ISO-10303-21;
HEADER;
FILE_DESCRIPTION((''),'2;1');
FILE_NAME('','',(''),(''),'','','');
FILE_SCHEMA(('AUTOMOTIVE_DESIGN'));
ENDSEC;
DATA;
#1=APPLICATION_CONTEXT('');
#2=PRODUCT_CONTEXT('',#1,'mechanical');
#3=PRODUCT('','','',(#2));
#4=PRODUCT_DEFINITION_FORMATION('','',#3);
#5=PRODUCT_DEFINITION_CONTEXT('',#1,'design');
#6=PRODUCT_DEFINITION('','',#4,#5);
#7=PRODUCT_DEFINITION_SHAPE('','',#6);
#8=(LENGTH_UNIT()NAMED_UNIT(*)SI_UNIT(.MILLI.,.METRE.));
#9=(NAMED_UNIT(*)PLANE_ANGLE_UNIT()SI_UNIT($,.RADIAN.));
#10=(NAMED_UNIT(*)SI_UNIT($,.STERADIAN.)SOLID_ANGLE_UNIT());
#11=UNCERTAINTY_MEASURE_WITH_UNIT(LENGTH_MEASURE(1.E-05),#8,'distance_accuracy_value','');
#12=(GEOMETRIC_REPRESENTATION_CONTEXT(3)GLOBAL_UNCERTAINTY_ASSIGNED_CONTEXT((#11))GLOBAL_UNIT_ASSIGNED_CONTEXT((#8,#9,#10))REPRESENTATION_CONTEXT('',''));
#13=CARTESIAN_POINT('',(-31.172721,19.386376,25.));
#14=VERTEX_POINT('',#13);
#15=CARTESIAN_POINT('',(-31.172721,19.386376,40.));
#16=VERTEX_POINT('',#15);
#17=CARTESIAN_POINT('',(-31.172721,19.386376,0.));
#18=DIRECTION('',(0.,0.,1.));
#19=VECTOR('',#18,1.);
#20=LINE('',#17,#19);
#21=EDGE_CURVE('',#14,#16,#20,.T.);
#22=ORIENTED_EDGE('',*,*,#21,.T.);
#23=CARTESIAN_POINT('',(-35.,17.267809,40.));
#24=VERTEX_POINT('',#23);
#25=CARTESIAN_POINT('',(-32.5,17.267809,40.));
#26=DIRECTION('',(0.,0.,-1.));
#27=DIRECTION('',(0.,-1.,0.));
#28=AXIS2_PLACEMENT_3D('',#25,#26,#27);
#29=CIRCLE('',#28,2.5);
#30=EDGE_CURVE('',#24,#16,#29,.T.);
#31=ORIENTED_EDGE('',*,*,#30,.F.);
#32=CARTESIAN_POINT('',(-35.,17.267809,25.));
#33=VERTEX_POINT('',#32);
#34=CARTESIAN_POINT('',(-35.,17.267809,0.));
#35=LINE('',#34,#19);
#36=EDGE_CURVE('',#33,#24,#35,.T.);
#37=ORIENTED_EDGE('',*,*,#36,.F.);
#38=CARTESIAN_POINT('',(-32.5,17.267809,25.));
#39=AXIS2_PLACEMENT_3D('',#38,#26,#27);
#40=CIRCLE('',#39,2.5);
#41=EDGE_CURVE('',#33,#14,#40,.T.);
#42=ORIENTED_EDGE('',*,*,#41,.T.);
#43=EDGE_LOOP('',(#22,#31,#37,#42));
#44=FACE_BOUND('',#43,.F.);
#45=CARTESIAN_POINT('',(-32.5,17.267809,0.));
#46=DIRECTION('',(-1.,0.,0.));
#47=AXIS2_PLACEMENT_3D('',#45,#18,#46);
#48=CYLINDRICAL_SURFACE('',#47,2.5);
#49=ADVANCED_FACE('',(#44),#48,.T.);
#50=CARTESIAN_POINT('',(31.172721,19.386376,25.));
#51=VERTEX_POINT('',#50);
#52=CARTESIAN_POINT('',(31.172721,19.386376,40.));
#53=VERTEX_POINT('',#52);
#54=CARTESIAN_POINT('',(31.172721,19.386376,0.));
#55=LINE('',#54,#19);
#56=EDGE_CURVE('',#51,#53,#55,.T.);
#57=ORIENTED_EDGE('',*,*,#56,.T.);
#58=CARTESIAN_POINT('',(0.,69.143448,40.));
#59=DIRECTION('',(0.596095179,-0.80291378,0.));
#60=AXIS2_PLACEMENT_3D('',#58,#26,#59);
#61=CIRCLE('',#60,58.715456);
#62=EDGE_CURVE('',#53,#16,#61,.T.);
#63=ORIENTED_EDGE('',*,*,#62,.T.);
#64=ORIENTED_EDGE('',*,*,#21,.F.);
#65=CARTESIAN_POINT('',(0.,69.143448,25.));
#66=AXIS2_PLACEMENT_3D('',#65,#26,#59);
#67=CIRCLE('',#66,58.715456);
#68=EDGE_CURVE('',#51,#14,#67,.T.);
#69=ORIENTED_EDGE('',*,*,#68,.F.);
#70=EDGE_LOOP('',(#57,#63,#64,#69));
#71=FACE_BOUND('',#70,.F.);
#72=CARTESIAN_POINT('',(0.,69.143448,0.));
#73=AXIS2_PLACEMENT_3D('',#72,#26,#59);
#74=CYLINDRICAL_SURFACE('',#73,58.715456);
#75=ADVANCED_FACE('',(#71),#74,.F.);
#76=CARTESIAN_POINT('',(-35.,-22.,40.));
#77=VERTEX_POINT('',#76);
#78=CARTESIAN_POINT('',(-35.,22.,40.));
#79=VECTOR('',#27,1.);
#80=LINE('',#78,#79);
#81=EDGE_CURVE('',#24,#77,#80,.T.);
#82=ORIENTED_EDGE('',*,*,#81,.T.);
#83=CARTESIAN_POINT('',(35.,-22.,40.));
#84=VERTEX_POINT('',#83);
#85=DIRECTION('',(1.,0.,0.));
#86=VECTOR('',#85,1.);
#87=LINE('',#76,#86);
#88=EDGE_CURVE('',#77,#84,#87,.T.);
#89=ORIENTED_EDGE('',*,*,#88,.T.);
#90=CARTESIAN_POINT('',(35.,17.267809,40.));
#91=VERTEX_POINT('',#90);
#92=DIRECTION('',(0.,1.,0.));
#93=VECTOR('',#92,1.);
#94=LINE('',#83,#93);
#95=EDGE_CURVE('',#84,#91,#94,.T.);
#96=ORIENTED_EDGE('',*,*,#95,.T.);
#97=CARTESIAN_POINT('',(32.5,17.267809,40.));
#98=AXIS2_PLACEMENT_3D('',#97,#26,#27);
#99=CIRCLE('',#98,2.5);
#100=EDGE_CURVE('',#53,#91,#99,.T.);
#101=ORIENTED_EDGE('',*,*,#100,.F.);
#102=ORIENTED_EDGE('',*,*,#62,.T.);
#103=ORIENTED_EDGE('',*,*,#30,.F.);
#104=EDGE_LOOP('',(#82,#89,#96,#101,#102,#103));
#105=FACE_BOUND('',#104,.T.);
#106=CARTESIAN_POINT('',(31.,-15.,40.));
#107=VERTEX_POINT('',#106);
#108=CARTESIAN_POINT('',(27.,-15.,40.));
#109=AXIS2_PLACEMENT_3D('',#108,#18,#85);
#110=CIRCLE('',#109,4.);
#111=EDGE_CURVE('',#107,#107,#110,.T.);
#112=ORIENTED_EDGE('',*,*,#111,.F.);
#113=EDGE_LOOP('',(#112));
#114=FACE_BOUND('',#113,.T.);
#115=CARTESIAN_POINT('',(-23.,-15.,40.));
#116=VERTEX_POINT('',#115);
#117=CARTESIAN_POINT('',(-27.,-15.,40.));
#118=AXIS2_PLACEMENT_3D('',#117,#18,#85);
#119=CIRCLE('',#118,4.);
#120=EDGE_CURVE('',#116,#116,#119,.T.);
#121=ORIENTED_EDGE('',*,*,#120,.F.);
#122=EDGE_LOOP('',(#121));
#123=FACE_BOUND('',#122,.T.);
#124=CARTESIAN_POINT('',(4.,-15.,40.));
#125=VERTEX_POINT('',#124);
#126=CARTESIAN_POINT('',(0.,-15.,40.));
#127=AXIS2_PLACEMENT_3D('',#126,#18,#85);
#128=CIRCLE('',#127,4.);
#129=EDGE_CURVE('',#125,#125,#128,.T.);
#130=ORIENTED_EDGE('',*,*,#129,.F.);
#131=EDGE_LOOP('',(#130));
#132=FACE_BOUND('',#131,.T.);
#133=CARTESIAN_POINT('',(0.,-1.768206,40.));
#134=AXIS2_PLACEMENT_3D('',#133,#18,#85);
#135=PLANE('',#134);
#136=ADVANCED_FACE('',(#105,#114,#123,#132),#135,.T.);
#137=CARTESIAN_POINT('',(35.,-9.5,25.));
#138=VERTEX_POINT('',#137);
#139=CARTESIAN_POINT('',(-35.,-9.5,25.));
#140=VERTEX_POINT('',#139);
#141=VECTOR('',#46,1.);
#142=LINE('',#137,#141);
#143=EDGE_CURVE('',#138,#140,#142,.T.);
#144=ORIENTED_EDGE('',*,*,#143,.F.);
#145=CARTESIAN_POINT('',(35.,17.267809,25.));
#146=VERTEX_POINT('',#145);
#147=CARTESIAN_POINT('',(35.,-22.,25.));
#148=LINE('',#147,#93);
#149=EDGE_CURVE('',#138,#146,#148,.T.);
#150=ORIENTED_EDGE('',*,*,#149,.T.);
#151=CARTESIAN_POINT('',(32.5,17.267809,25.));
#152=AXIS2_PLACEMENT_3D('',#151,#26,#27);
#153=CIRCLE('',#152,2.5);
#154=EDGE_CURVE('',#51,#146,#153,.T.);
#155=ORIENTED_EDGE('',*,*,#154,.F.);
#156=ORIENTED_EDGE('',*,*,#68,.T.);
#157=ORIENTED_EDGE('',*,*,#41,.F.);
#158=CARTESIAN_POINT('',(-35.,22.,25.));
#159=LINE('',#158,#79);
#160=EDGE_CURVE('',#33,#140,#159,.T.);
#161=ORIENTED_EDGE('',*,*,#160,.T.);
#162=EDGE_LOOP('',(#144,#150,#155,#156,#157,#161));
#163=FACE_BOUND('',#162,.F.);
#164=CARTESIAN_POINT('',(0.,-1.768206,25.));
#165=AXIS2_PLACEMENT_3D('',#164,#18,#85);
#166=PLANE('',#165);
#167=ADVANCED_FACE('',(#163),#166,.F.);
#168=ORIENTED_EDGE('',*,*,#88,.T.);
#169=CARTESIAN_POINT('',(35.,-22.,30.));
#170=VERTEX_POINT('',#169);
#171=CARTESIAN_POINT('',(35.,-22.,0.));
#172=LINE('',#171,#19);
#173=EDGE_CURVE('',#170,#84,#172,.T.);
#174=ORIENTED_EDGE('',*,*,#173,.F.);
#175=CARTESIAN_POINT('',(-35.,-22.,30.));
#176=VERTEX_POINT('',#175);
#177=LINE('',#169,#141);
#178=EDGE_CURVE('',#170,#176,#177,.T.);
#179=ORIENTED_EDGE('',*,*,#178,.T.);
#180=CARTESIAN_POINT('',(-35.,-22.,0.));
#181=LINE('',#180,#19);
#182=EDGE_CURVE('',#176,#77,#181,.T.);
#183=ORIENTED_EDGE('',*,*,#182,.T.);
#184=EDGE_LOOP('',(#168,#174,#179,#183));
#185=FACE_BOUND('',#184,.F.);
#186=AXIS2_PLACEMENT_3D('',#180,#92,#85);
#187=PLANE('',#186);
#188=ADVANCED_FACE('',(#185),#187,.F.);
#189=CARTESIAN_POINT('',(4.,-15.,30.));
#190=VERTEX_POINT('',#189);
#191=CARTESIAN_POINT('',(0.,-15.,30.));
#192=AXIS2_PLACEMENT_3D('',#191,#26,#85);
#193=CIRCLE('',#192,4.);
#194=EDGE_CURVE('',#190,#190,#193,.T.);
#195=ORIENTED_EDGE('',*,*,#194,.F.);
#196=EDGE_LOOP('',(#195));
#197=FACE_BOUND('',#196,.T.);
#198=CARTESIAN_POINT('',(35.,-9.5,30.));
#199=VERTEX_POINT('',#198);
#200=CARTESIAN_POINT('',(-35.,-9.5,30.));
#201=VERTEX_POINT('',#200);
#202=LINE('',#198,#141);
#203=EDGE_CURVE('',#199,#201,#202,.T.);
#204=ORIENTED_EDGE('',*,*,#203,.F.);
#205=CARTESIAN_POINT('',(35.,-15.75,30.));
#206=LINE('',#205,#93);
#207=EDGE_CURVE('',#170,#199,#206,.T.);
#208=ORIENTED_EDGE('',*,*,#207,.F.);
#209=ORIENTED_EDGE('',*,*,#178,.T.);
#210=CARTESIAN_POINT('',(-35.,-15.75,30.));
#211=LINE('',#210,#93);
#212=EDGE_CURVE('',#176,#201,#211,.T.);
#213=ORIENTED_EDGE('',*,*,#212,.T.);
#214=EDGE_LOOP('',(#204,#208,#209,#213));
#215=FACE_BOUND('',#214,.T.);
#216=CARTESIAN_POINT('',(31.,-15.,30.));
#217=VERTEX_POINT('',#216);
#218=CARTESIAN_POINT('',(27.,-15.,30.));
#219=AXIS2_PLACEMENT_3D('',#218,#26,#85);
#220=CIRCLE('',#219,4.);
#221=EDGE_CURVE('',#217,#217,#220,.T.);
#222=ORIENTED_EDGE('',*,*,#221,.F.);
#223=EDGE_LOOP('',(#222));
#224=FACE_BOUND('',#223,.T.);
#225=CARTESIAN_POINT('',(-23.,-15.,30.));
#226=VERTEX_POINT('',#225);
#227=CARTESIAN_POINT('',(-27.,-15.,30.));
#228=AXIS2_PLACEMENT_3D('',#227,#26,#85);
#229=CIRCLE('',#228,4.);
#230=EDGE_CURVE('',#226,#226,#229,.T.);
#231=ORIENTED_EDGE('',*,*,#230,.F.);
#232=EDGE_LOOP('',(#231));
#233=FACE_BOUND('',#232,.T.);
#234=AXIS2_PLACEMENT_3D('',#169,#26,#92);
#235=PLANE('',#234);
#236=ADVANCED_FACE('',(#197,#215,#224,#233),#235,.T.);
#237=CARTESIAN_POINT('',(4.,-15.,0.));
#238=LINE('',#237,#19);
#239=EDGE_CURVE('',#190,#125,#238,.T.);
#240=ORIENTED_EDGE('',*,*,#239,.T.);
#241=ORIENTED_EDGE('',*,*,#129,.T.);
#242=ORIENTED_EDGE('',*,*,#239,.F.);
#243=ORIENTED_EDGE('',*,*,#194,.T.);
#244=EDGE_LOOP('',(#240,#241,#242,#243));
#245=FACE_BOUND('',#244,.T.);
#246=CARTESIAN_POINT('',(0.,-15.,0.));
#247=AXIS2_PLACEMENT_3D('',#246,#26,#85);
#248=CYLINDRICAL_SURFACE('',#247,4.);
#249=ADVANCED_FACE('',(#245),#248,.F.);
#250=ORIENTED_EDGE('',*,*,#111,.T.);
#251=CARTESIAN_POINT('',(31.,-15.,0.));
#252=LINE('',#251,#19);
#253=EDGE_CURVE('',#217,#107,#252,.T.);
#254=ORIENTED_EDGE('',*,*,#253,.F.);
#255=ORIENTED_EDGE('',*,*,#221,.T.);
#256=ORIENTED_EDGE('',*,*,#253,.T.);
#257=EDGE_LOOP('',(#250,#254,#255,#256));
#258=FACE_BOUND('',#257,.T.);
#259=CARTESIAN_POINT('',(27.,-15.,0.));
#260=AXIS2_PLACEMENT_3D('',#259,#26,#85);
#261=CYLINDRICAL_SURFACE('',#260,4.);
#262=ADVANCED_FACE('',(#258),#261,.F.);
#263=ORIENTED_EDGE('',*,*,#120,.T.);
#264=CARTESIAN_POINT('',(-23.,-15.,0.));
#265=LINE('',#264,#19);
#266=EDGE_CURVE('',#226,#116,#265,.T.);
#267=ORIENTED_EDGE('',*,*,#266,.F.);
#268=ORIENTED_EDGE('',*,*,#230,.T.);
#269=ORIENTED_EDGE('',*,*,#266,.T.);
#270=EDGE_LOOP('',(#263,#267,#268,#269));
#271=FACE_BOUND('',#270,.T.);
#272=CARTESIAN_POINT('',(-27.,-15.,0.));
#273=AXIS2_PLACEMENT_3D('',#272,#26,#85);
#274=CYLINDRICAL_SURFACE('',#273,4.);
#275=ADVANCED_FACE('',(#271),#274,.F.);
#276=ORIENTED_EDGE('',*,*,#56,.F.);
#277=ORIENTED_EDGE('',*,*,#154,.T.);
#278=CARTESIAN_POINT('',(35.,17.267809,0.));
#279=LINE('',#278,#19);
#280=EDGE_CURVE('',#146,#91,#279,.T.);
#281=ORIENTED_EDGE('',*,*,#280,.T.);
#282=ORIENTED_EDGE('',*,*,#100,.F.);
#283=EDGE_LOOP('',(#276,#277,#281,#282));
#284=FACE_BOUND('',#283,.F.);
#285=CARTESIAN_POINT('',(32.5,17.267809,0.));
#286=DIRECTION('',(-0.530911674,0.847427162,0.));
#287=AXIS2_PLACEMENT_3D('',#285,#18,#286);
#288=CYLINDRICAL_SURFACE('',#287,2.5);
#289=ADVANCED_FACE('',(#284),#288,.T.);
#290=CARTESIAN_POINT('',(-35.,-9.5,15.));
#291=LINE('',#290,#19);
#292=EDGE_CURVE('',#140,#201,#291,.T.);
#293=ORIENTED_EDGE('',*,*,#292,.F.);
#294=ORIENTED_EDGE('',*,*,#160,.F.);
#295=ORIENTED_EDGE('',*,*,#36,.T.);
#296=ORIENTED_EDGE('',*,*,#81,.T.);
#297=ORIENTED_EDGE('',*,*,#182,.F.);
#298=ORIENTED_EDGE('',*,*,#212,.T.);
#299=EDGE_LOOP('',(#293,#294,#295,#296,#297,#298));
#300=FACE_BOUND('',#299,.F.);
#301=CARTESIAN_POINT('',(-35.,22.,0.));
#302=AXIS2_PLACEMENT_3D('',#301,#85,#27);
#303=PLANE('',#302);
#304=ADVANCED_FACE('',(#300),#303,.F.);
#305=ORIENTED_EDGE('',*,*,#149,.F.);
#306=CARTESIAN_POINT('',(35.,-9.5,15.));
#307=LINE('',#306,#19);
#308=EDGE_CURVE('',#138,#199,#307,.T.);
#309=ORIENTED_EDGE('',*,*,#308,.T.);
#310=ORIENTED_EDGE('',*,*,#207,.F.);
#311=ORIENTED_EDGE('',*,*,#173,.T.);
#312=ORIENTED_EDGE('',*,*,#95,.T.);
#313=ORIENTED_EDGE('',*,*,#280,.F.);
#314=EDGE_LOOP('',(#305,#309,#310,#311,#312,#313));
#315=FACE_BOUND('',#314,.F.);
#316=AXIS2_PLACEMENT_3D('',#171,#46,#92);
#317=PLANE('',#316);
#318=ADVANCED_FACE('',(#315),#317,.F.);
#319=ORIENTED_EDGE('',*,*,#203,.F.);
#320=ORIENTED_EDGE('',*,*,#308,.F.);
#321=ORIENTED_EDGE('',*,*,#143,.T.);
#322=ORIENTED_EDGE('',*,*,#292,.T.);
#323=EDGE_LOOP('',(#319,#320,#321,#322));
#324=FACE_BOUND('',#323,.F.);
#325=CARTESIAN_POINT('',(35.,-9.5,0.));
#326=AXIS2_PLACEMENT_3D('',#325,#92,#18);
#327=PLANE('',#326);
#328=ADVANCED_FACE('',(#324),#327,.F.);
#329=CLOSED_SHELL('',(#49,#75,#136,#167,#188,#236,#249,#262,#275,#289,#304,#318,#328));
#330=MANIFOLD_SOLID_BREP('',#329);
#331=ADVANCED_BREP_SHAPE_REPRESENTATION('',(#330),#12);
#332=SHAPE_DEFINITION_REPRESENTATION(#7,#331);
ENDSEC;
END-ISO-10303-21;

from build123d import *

# Parameters (mm, degrees)
F0_R     = 4
F1_DEPTH = 40
F2_W     = 12.5
F2_H     = 30
F3_DEPTH = 70
F4_R     = 2.5
F5_DEPTH = 25


with BuildPart() as f1:
    # F0 (on Top) → F1 (new body)
    with BuildSketch(Plane.XY):
        with BuildLine():
            Line((-35, 22), (-35, -22))
            Line((-35, -22), (35, -22))
            Line((35, -22), (35, 22))
            ThreePointArc((35, 22), (0, 10.4279927909), (-35, 22))
        make_face()
        with Locations((-27, -15)):
            Circle(F0_R, mode=Mode.SUBTRACT)
        with Locations((0, -15)):
            Circle(F0_R, mode=Mode.SUBTRACT)
        with Locations((27, -15)):
            Circle(F0_R, mode=Mode.SUBTRACT)
    extrude(amount=F1_DEPTH)

    # F2 (on face) → F3 (cut)
    with BuildSketch(Plane.YZ.offset(35)):
        with Locations((-15.75, 15)):
            Rectangle(F2_W, F2_H)
    extrude(amount=-F3_DEPTH, mode=Mode.SUBTRACT)

    # F4
    f4_edges = [f1.edges().sort_by_distance(p)[0] for p in [
        (35, 22, 20),
        (-35, 22, 20),
    ]]
    fillet(f4_edges, radius=F4_R)

    # F5 (cut): a face of the model
    f5_faces = [f1.faces().sort_by_distance(p)[0] for p in [
        (0, 2.4481548638, 0),
    ]]
    extrude(f5_faces, amount=-F5_DEPTH, mode=Mode.SUBTRACT)


solid = f1.part
